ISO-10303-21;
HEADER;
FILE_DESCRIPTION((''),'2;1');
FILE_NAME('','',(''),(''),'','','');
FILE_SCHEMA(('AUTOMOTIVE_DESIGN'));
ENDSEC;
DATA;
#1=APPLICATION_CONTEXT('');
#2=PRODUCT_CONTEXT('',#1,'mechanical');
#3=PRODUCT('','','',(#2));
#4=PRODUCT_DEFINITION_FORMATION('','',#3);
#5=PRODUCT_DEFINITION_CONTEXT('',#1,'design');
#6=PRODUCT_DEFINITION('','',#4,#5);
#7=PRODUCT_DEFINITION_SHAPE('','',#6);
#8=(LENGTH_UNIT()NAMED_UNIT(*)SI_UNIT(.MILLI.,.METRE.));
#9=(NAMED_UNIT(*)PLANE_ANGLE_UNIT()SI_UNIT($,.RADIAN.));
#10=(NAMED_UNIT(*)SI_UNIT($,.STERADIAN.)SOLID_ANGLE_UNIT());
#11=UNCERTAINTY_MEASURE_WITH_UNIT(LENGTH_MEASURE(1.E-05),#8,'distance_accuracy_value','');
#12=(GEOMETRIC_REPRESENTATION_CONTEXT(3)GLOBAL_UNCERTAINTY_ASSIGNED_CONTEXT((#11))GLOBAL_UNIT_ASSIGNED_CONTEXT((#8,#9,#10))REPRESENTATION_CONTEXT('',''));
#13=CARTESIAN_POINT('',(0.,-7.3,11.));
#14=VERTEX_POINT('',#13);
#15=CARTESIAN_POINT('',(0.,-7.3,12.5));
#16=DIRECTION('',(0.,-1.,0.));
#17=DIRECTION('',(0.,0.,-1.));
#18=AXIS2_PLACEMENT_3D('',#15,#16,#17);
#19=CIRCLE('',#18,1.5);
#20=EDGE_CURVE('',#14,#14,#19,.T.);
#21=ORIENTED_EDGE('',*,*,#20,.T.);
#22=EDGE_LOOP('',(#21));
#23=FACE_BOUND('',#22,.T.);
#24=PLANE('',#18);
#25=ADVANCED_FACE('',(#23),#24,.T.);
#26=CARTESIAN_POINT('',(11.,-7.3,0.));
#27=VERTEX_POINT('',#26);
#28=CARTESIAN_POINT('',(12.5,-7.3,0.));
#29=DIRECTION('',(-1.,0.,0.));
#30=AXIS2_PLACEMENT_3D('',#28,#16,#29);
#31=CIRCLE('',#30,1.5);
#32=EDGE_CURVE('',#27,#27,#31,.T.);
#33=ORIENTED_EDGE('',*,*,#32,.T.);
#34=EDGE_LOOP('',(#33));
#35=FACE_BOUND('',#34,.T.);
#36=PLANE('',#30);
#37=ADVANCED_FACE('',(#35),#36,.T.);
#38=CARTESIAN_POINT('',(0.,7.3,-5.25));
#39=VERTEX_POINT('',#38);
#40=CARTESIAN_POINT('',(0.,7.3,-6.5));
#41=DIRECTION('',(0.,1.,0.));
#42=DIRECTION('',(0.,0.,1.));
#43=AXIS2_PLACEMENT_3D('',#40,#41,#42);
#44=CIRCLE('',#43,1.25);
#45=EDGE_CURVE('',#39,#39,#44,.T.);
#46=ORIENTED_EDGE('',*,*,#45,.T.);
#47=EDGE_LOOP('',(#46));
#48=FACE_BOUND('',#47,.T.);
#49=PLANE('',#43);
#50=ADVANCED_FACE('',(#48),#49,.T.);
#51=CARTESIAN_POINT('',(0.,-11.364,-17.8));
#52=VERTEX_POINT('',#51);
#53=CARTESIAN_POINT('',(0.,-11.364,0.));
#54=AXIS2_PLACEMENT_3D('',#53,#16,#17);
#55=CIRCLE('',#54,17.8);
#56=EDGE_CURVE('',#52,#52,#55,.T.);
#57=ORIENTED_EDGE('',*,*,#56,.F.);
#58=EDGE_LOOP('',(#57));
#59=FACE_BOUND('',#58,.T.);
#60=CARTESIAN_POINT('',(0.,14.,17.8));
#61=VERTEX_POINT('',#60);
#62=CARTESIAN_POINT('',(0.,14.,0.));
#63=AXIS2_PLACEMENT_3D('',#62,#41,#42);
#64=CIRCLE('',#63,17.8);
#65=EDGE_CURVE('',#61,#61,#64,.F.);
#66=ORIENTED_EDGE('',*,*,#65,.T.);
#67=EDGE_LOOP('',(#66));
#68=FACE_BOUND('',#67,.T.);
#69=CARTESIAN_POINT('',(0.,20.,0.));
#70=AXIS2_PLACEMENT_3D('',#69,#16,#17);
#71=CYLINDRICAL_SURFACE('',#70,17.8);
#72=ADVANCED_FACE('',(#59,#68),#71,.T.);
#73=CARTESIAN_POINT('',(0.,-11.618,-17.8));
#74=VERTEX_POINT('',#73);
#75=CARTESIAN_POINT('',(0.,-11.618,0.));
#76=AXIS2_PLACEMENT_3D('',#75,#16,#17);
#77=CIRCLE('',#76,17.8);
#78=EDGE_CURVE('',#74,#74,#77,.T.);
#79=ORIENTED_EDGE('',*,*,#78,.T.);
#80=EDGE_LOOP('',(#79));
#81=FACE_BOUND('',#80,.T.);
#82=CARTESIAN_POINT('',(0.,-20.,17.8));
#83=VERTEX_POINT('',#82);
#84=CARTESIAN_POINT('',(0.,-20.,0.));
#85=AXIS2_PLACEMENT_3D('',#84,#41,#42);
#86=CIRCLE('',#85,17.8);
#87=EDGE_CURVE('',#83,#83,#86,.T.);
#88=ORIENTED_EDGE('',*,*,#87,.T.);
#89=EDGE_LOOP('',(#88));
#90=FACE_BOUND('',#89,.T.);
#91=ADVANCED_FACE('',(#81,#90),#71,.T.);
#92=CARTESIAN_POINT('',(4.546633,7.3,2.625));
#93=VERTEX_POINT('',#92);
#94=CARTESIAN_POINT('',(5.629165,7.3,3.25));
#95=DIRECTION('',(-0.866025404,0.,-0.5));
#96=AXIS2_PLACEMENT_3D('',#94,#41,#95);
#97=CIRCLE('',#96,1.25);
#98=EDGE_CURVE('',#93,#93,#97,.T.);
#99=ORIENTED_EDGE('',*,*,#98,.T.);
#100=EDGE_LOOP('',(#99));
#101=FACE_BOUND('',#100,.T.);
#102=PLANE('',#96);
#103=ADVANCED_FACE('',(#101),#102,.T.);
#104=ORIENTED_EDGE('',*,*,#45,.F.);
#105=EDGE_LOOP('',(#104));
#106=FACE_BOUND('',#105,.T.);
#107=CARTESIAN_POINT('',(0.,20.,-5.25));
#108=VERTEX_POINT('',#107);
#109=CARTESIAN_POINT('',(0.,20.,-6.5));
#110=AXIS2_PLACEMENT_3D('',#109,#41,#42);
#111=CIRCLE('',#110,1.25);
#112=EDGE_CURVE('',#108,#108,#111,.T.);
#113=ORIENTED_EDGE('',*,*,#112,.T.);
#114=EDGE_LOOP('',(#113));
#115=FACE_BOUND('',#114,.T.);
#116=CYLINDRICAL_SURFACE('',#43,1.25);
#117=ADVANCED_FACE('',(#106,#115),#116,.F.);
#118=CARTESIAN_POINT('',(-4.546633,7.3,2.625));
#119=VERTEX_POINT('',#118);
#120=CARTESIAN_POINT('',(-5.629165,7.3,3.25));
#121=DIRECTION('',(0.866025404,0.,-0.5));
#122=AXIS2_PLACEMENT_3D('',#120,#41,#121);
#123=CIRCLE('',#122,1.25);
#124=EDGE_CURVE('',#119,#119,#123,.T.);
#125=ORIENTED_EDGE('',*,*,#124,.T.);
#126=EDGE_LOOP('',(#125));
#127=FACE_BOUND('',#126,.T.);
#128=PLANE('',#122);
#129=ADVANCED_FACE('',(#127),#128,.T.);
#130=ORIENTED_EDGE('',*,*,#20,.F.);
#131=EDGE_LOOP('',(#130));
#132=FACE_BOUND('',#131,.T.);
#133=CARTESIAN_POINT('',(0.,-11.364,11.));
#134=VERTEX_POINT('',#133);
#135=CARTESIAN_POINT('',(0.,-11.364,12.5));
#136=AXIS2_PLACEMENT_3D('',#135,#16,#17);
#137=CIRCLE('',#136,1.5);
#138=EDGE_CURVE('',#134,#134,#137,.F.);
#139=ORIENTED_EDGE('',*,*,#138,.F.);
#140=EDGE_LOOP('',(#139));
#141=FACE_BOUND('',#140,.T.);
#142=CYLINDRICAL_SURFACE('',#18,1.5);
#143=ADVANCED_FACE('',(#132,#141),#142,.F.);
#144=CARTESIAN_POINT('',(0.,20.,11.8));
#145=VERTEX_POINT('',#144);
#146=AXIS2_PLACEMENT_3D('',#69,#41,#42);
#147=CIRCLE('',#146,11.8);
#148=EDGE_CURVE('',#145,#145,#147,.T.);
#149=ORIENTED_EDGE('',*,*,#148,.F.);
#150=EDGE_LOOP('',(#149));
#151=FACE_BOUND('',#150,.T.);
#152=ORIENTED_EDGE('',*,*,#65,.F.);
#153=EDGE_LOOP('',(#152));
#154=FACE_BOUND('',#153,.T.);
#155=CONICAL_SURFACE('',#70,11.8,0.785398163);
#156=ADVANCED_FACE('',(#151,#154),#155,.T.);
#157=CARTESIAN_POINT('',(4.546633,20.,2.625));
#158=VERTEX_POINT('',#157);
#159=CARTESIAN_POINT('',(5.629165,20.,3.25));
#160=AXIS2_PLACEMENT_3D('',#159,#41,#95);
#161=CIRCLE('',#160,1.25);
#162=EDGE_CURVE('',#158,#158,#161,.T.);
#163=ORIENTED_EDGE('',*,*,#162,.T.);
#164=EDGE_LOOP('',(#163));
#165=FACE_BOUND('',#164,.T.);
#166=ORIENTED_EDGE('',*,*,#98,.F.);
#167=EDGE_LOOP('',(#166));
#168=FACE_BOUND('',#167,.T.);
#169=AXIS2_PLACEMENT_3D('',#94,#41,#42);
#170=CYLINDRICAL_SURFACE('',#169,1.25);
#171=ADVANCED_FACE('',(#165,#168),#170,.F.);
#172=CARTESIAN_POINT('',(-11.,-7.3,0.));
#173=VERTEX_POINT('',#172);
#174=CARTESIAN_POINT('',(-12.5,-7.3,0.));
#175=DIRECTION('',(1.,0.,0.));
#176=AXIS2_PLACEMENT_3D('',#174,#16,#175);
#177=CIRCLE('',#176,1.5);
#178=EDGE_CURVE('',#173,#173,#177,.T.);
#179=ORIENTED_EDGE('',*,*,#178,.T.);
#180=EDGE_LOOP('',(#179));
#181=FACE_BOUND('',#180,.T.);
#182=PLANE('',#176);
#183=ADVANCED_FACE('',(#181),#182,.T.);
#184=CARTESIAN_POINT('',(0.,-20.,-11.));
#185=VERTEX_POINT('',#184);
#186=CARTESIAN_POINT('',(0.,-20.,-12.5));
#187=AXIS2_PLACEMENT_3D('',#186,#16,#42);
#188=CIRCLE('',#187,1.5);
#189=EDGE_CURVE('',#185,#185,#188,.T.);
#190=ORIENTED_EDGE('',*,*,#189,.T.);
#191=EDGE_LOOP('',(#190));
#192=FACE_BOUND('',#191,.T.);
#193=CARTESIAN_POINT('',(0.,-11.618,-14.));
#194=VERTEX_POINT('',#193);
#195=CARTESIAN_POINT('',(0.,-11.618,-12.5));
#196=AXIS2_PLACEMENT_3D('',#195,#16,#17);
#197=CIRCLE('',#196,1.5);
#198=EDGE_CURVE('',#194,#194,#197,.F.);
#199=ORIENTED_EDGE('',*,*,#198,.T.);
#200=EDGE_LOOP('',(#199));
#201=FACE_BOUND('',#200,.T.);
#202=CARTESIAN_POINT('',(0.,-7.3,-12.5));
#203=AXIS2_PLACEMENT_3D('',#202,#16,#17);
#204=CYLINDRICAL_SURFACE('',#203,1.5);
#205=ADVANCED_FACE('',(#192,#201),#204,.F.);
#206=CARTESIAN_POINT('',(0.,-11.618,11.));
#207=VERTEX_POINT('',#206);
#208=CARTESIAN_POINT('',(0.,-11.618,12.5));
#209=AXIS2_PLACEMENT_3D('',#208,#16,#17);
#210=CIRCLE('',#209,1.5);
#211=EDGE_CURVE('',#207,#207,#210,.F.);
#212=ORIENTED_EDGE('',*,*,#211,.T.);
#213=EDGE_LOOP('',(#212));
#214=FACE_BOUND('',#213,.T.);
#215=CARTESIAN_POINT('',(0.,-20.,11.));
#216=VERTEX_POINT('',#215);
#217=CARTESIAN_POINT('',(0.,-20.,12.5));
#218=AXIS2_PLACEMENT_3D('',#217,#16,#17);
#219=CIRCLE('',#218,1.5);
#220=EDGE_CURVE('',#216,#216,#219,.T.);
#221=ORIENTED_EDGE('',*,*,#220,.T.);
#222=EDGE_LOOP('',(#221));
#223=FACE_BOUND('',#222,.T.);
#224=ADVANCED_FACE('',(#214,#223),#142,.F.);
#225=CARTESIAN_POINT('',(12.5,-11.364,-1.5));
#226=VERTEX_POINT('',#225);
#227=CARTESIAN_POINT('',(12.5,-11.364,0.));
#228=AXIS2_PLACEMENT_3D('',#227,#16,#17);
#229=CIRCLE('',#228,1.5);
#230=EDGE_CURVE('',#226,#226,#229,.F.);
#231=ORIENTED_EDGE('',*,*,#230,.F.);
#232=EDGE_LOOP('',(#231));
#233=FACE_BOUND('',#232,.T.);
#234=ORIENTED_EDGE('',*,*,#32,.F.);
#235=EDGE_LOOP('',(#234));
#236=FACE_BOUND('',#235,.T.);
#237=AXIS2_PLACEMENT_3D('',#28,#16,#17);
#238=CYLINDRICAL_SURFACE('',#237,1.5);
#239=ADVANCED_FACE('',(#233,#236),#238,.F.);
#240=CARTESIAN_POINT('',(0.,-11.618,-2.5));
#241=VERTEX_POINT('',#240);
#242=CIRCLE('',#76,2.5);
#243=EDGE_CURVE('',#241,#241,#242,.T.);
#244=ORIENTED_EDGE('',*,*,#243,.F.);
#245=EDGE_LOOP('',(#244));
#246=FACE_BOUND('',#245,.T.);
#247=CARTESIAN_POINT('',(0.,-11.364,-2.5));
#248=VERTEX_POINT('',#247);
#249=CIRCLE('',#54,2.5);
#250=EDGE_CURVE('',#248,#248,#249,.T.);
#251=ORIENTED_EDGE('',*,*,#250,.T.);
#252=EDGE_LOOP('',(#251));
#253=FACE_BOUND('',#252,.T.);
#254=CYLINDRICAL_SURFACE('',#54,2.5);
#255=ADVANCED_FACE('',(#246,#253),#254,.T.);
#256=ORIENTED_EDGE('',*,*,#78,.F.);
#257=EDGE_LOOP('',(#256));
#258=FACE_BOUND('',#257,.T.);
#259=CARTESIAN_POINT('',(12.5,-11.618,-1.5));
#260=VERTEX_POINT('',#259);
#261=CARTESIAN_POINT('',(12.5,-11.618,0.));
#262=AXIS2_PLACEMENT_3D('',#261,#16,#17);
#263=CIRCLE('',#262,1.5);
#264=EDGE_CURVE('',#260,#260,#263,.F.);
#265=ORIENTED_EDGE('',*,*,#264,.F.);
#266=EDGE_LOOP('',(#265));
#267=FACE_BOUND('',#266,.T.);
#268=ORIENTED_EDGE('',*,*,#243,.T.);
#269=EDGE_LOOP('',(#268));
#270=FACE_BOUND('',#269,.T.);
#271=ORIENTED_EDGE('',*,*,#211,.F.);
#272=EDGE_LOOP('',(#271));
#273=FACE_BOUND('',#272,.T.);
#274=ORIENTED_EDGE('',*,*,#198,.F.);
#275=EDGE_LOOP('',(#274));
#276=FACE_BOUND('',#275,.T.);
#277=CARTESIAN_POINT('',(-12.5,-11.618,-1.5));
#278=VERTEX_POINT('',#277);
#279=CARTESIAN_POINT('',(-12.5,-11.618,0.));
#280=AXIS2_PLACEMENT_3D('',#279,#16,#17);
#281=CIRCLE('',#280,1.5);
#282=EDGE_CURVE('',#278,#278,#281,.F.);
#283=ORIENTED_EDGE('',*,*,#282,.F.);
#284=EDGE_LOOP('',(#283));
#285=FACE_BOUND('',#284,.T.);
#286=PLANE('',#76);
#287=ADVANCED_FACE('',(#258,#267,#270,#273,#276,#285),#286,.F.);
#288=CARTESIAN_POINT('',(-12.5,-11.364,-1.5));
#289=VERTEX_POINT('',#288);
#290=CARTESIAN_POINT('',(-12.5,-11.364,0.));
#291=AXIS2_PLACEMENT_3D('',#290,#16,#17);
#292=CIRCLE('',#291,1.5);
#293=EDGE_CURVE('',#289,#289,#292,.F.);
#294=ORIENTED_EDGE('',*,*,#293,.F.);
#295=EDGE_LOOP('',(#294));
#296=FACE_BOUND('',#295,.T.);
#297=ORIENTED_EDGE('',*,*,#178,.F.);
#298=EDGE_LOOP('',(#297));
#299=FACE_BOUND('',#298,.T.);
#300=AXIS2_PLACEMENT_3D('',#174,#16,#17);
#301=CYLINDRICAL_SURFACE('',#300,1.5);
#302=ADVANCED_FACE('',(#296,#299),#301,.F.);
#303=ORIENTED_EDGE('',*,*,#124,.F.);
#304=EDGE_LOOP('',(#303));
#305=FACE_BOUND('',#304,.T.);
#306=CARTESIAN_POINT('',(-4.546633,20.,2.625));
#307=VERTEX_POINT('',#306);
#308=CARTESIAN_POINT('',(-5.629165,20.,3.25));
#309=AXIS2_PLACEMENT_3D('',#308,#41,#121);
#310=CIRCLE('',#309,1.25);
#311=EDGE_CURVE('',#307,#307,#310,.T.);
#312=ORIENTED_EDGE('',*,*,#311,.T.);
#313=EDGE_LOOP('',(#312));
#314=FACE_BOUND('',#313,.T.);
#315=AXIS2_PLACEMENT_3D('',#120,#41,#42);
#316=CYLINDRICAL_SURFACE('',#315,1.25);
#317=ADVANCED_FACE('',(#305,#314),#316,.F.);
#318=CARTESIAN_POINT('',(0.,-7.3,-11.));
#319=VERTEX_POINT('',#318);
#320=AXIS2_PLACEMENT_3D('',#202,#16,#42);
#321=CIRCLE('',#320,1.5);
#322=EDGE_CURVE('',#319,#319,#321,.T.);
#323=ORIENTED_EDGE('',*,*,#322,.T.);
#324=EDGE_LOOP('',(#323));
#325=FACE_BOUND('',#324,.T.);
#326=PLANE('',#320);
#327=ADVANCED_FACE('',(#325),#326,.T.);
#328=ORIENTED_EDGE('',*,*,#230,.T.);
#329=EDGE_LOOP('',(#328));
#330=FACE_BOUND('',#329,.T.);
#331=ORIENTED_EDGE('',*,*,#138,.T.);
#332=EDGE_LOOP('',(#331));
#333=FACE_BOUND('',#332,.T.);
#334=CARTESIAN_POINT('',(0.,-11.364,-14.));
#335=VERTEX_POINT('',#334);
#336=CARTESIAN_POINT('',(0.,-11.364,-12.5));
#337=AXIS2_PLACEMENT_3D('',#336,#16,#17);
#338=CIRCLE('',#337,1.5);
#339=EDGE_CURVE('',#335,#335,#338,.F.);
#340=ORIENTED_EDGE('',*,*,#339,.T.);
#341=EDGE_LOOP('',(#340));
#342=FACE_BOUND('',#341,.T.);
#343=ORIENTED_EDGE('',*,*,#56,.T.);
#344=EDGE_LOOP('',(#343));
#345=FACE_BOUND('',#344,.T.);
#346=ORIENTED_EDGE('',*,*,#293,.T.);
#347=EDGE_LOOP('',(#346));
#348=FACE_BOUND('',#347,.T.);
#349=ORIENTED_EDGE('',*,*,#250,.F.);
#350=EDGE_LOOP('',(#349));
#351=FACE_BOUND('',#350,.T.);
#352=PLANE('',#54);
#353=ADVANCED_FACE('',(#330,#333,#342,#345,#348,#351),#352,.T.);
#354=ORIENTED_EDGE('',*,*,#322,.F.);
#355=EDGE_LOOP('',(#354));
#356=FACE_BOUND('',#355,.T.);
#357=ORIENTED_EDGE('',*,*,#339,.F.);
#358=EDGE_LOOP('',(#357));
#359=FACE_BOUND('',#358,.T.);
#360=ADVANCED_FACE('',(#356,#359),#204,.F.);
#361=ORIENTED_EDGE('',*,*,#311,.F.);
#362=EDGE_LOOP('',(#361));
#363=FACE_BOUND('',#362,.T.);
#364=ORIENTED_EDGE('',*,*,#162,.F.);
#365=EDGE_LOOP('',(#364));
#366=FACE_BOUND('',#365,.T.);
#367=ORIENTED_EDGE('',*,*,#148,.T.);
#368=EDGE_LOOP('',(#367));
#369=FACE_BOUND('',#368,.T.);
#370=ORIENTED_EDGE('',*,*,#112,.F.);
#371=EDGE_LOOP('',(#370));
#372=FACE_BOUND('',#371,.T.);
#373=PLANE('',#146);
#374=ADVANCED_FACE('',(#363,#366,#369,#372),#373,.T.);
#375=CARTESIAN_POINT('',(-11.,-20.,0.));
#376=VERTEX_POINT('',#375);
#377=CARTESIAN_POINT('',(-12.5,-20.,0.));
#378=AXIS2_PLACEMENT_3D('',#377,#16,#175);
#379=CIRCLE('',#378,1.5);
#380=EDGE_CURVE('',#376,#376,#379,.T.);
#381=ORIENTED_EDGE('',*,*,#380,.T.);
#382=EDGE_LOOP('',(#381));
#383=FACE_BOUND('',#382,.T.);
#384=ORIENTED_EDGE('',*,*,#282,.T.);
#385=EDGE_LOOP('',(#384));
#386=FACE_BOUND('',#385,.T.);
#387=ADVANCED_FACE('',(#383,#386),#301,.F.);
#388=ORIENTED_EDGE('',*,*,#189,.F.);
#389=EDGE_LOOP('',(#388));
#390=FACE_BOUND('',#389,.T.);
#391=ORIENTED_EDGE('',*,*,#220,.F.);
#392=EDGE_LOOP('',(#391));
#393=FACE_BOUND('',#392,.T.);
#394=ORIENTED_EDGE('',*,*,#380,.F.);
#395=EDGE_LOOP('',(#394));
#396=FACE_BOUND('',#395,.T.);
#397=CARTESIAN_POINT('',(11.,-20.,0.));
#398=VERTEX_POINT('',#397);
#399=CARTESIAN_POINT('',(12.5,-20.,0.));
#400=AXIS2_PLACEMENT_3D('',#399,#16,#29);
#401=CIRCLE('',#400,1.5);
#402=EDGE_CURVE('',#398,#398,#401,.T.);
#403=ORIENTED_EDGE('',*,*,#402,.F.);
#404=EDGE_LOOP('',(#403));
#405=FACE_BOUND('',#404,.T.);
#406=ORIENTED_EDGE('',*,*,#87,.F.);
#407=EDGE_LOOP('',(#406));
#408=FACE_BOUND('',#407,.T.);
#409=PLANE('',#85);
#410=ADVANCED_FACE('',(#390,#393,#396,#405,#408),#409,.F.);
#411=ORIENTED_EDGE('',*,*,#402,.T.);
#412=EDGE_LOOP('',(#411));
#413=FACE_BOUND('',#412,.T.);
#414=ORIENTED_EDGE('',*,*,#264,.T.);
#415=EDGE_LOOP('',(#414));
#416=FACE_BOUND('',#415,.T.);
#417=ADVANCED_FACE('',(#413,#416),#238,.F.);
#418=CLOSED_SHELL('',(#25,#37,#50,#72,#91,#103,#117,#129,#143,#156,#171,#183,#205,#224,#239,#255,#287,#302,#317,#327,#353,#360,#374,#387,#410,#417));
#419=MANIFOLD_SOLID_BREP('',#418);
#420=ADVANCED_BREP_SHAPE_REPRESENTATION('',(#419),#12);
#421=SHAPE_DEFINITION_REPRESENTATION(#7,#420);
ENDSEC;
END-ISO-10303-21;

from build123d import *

# Parameters (mm, degrees)
SKETCH1_R           = 17.8
BOSS_EXTRUDE1_DEPTH = 20
SKETCH2_R           = 1.25
CUT_EXTRUDE1_DEPTH  = 12.7
CIRPATTERN1_COUNT   = 3
SKETCH3_R           = 1.5
CUT_EXTRUDE2_DEPTH  = 12.7
CIRPATTERN2_COUNT   = 4
CHAMFER1_SIZE       = 6
CUT_EXTRUDE3_START  = -8.382
SKETCH4_R           = 17.8
SKETCH4_R_2         = 2.5
CUT_EXTRUDE3_DEPTH  = 0.254


with BuildPart() as part:
    # Sketch1 → Boss-Extrude1 (new body, symmetric)
    with BuildSketch(Plane(origin=(0, 0, 0), x_dir=(1, 0, 0), z_dir=(0, 1, 0))):
        Circle(SKETCH1_R)
    extrude(amount=BOSS_EXTRUDE1_DEPTH, both=True)

    # Sketch2 → Cut-Extrude1 (cut)
    with BuildSketch(Plane(origin=(0, 20, 0), x_dir=(1, 0, 0), z_dir=(0, 1, 0))):
        with Locations((0, 6.5)):
            Circle(SKETCH2_R)
    cut_extrude1 = extrude(amount=-CUT_EXTRUDE1_DEPTH, mode=Mode.SUBTRACT)

    # CirPattern1: Cut-Extrude1 ×3 about axis
    cirpattern1_axis = Axis((0, 0, 0), (0, 1, 0))
    for i in range(1, CIRPATTERN1_COUNT):
        add(cut_extrude1.rotate(cirpattern1_axis, i * 360 / CIRPATTERN1_COUNT), mode=Mode.SUBTRACT)

    # Sketch3 → Cut-Extrude2 (cut)
    with BuildSketch(Plane.XZ.offset(20)):
        with Locations((0, 12.5)):
            Circle(SKETCH3_R)
    cut_extrude2 = extrude(amount=-CUT_EXTRUDE2_DEPTH, mode=Mode.SUBTRACT)

    # CirPattern2: Cut-Extrude2 ×4 about axis
    cirpattern2_axis = Axis((0, 0, 0), (0, 1, 0))
    for i in range(1, CIRPATTERN2_COUNT):
        add(cut_extrude2.rotate(cirpattern2_axis, i * 360 / CIRPATTERN2_COUNT), mode=Mode.SUBTRACT)

    # Chamfer1
    chamfer1_edges = [part.edges().sort_by_distance(p)[0] for p in [
        (-17.8, 20, 0),
    ]]
    chamfer(chamfer1_edges, length=CHAMFER1_SIZE)

    # Sketch4 → Cut-Extrude3 (cut)
    with BuildSketch(Plane.XZ.offset(20).offset(CUT_EXTRUDE3_START)):
        Circle(SKETCH4_R)
        Circle(SKETCH4_R_2, mode=Mode.SUBTRACT)
    extrude(amount=-CUT_EXTRUDE3_DEPTH, mode=Mode.SUBTRACT)


solid = part.part
